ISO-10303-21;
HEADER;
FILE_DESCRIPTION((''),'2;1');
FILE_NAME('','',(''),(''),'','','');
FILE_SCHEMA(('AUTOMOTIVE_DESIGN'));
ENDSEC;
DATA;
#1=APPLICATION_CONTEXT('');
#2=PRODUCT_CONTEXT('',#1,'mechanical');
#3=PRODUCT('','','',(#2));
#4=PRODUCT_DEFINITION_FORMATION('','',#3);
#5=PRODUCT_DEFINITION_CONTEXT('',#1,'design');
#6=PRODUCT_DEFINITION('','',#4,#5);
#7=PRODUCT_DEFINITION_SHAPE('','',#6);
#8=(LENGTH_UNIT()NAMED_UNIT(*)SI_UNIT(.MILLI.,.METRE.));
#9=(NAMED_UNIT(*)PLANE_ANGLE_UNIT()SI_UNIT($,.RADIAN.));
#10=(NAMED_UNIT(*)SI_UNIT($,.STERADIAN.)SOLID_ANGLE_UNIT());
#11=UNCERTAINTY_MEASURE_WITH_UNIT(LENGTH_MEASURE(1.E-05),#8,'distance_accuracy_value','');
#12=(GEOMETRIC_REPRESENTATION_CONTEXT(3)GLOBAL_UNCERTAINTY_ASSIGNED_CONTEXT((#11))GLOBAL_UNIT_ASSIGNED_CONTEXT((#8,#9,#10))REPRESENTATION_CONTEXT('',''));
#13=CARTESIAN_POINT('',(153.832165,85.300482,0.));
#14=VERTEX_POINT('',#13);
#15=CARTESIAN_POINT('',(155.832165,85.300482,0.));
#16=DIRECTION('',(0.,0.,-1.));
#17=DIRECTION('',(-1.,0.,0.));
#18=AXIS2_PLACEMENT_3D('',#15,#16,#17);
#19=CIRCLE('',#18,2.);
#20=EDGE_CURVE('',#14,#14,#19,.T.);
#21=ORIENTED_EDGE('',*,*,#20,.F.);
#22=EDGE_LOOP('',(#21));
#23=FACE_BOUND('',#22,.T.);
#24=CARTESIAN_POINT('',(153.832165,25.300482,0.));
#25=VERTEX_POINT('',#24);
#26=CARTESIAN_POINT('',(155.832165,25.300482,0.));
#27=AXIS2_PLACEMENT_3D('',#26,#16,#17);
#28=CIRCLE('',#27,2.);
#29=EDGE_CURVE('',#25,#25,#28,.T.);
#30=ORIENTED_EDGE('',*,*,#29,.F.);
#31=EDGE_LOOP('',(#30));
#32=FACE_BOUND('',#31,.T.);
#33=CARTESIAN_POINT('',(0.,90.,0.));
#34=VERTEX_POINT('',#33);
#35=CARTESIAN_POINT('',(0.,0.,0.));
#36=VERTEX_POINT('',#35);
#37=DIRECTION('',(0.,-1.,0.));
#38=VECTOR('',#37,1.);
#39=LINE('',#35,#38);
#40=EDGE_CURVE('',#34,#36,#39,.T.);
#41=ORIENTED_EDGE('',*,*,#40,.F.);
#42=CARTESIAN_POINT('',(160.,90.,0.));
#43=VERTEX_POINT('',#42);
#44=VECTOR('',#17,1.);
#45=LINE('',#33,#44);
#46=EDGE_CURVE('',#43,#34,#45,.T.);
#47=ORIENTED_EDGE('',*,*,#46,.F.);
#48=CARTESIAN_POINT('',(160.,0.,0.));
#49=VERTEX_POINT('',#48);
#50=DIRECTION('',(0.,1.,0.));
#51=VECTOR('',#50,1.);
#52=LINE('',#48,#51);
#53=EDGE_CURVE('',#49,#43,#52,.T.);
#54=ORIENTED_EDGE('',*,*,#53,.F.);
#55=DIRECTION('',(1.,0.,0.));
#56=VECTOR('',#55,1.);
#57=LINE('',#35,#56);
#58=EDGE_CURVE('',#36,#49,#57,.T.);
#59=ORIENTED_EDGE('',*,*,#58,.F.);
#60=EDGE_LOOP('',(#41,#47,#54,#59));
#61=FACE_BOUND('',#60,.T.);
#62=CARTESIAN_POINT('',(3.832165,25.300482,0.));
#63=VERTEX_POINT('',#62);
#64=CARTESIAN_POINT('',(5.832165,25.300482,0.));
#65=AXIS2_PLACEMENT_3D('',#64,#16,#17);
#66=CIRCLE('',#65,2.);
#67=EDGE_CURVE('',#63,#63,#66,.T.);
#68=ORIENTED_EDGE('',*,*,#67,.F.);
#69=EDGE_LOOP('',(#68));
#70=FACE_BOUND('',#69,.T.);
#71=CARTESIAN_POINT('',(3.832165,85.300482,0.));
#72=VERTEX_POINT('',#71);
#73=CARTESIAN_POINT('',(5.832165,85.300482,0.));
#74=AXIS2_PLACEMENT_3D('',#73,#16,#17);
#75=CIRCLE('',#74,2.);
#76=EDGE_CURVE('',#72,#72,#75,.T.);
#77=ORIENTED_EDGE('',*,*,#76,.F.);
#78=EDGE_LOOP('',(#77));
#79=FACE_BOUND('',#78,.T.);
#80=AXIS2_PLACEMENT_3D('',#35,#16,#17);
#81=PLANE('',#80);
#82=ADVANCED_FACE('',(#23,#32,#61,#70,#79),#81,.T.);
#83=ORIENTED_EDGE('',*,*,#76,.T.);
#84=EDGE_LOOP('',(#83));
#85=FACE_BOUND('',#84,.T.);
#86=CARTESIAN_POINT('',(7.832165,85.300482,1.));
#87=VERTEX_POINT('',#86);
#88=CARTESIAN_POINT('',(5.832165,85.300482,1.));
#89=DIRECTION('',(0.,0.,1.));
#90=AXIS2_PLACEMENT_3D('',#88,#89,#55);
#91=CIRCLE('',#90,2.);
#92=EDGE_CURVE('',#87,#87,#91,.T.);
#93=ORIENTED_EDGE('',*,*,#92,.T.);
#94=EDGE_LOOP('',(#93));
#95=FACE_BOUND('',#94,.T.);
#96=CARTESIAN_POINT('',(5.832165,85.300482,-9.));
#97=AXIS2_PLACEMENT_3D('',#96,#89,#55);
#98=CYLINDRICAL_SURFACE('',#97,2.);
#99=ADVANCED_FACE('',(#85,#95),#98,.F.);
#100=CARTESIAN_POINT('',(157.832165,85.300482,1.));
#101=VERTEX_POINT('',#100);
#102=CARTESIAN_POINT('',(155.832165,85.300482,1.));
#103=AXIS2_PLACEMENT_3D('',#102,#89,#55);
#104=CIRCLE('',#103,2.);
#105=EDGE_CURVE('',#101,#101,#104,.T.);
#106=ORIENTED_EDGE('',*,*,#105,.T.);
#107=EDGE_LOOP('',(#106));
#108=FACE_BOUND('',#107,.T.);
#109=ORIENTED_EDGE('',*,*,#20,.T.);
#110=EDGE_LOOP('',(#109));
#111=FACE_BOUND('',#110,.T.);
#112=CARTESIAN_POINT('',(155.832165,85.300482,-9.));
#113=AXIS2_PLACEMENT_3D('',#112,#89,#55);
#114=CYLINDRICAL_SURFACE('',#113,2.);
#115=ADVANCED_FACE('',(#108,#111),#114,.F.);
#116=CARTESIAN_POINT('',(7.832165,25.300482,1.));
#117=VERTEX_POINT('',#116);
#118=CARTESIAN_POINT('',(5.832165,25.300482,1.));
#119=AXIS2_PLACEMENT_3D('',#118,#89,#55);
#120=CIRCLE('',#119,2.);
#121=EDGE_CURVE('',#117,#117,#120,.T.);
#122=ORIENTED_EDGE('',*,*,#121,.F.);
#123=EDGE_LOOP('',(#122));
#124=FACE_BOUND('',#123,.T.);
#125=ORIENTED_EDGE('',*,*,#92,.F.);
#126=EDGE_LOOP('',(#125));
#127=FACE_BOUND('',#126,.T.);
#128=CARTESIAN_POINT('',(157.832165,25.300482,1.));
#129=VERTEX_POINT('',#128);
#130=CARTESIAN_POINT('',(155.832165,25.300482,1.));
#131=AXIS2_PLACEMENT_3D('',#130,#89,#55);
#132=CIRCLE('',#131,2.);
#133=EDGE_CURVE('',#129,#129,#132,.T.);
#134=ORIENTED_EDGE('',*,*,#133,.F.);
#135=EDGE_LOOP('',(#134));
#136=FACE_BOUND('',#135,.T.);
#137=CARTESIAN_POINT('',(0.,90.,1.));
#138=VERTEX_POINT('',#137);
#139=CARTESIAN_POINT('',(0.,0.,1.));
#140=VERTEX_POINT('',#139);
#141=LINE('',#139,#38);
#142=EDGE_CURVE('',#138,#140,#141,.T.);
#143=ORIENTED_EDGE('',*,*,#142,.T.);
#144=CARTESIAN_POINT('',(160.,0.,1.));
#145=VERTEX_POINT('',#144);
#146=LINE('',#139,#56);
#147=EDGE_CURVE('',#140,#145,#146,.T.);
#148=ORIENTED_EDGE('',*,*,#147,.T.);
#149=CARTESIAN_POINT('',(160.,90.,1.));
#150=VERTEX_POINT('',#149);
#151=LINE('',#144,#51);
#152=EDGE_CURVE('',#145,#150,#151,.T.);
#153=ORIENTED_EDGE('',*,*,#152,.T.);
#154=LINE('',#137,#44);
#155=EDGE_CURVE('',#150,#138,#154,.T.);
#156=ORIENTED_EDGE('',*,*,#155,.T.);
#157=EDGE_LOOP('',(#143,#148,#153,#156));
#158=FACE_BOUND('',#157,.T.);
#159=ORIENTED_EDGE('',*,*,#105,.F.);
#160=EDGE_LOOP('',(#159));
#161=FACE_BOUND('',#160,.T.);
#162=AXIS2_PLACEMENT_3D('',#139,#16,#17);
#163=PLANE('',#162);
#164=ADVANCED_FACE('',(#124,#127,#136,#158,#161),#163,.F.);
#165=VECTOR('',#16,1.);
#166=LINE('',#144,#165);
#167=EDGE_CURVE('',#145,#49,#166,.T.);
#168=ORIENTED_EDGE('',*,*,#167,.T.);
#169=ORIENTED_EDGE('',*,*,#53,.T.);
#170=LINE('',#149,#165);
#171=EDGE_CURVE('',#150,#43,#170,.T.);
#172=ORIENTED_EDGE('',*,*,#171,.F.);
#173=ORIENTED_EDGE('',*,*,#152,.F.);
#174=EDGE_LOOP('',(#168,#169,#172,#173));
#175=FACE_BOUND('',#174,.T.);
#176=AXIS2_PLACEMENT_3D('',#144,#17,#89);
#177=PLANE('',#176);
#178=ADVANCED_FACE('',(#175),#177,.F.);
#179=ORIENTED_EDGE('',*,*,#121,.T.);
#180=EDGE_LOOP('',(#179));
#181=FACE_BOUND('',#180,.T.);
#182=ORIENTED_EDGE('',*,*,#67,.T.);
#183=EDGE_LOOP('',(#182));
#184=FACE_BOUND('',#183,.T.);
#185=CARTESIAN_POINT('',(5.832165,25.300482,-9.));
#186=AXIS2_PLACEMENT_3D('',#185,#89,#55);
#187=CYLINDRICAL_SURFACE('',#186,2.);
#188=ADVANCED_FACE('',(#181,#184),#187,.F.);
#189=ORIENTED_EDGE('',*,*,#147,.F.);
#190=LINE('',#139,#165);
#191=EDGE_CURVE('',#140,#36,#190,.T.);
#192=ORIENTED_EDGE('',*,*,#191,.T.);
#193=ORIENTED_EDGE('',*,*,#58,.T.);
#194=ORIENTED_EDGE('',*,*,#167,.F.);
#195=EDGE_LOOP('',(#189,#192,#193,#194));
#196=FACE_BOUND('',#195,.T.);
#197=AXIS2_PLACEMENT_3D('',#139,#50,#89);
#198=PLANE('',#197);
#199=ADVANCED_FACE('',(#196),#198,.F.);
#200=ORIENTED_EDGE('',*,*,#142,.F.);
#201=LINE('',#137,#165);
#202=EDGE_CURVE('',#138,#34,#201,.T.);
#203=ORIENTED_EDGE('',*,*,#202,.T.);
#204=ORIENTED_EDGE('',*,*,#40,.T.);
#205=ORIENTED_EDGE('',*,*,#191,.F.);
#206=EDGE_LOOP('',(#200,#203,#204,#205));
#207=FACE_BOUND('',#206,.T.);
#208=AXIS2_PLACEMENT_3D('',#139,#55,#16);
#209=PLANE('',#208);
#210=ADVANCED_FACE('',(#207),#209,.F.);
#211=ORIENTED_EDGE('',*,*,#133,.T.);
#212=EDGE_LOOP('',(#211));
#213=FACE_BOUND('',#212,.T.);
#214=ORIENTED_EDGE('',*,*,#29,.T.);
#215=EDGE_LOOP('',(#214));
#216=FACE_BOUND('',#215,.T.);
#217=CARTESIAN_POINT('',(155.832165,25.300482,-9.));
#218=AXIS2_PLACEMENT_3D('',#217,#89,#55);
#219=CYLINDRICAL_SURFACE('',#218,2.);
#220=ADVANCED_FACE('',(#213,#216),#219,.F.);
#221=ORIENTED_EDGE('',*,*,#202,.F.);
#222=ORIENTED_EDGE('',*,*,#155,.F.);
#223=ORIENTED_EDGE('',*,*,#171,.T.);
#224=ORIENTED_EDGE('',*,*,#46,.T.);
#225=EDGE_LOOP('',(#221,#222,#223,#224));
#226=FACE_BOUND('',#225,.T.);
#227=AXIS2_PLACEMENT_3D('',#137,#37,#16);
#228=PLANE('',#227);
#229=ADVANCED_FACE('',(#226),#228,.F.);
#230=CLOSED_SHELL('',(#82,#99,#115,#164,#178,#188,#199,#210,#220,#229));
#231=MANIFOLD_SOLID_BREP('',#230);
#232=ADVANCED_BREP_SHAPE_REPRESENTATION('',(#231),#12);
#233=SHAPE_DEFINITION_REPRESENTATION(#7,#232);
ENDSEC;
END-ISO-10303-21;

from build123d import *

# Parameters (mm, degrees)
SCHIZZO1_W                   = 160
SCHIZZO1_H                   = 90
ESTRUSIONE_ESTRUSIONE1_DEPTH = 1
TAGLIO_ESTRUSIONE1_DEPTH     = 10


with BuildPart() as part:
    # Schizzo1 → Estrusione-Estrusione1 (new body)
    with BuildSketch(Plane.XY):
        with Locations((80, 45)):
            Rectangle(SCHIZZO1_W, SCHIZZO1_H)
    extrude(amount=ESTRUSIONE_ESTRUSIONE1_DEPTH)

    # Schizzo3 → Taglio-Estrusione1 (cut)
    with BuildSketch(Plane.XY.offset(1)):
        with BuildLine():
            Line((5.83216523, 83.300482418), (5.83216523, 85.300482418))
            Line((5.83216523, 85.300482418), (7.83216523, 85.300482418))
            ThreePointArc((7.83216523, 85.300482418), (4.417951668, 86.714695981), (5.83216523, 83.300482418))
        make_face()
        with BuildLine():
            Line((7.83216523, 85.300482418), (5.83216523, 85.300482418))
            Line((5.83216523, 85.300482418), (5.83216523, 83.300482418))
            ThreePointArc((5.83216523, 83.300482418), (7.246378792, 83.886268856), (7.83216523, 85.300482418))
        make_face()
        with BuildLine():
            ThreePointArc((157.83216523, 85.300482418), (155.83216523, 87.300482418), (153.83216523, 85.300482418))
            Line((153.83216523, 85.300482418), (155.83216523, 85.300482418))
            Line((155.83216523, 85.300482418), (155.83216523, 83.300482418))
            ThreePointArc((155.83216523, 83.300482418), (157.246378792, 83.886268856), (157.83216523, 85.300482418))
        make_face()
        with BuildLine():
            Line((155.83216523, 85.300482418), (153.83216523, 85.300482418))
            ThreePointArc((153.83216523, 85.300482418), (154.417951668, 83.886268856), (155.83216523, 83.300482418))
            Line((155.83216523, 83.300482418), (155.83216523, 85.300482418))
        make_face()
        with BuildLine():
            ThreePointArc((157.83216523, 25.300482418), (157.246378792, 26.714695981), (155.83216523, 27.300482418))
            Line((155.83216523, 27.300482418), (155.83216523, 25.300482418))
            Line((155.83216523, 25.300482418), (153.83216523, 25.300482418))
            ThreePointArc((153.83216523, 25.300482418), (155.83216523, 23.300482418), (157.83216523, 25.300482418))
        make_face()
        with BuildLine():
            Line((155.83216523, 25.300482418), (155.83216523, 27.300482418))
            ThreePointArc((155.83216523, 27.300482418), (154.417951668, 26.714695981), (153.83216523, 25.300482418))
            Line((153.83216523, 25.300482418), (155.83216523, 25.300482418))
        make_face()
        with BuildLine():
            ThreePointArc((7.83216523, 25.300482418), (7.246378792, 26.714695981), (5.83216523, 27.300482418))
            Line((5.83216523, 27.300482418), (5.83216523, 25.300482418))
            Line((5.83216523, 25.300482418), (7.83216523, 25.300482418))
        make_face()
        with BuildLine():
            Line((5.83216523, 25.300482418), (5.83216523, 27.300482418))
            ThreePointArc((5.83216523, 27.300482418), (4.417951668, 23.886268856), (7.83216523, 25.300482418))
            Line((7.83216523, 25.300482418), (5.83216523, 25.300482418))
        make_face()
    extrude(amount=-TAGLIO_ESTRUSIONE1_DEPTH, mode=Mode.SUBTRACT)


solid = part.part
